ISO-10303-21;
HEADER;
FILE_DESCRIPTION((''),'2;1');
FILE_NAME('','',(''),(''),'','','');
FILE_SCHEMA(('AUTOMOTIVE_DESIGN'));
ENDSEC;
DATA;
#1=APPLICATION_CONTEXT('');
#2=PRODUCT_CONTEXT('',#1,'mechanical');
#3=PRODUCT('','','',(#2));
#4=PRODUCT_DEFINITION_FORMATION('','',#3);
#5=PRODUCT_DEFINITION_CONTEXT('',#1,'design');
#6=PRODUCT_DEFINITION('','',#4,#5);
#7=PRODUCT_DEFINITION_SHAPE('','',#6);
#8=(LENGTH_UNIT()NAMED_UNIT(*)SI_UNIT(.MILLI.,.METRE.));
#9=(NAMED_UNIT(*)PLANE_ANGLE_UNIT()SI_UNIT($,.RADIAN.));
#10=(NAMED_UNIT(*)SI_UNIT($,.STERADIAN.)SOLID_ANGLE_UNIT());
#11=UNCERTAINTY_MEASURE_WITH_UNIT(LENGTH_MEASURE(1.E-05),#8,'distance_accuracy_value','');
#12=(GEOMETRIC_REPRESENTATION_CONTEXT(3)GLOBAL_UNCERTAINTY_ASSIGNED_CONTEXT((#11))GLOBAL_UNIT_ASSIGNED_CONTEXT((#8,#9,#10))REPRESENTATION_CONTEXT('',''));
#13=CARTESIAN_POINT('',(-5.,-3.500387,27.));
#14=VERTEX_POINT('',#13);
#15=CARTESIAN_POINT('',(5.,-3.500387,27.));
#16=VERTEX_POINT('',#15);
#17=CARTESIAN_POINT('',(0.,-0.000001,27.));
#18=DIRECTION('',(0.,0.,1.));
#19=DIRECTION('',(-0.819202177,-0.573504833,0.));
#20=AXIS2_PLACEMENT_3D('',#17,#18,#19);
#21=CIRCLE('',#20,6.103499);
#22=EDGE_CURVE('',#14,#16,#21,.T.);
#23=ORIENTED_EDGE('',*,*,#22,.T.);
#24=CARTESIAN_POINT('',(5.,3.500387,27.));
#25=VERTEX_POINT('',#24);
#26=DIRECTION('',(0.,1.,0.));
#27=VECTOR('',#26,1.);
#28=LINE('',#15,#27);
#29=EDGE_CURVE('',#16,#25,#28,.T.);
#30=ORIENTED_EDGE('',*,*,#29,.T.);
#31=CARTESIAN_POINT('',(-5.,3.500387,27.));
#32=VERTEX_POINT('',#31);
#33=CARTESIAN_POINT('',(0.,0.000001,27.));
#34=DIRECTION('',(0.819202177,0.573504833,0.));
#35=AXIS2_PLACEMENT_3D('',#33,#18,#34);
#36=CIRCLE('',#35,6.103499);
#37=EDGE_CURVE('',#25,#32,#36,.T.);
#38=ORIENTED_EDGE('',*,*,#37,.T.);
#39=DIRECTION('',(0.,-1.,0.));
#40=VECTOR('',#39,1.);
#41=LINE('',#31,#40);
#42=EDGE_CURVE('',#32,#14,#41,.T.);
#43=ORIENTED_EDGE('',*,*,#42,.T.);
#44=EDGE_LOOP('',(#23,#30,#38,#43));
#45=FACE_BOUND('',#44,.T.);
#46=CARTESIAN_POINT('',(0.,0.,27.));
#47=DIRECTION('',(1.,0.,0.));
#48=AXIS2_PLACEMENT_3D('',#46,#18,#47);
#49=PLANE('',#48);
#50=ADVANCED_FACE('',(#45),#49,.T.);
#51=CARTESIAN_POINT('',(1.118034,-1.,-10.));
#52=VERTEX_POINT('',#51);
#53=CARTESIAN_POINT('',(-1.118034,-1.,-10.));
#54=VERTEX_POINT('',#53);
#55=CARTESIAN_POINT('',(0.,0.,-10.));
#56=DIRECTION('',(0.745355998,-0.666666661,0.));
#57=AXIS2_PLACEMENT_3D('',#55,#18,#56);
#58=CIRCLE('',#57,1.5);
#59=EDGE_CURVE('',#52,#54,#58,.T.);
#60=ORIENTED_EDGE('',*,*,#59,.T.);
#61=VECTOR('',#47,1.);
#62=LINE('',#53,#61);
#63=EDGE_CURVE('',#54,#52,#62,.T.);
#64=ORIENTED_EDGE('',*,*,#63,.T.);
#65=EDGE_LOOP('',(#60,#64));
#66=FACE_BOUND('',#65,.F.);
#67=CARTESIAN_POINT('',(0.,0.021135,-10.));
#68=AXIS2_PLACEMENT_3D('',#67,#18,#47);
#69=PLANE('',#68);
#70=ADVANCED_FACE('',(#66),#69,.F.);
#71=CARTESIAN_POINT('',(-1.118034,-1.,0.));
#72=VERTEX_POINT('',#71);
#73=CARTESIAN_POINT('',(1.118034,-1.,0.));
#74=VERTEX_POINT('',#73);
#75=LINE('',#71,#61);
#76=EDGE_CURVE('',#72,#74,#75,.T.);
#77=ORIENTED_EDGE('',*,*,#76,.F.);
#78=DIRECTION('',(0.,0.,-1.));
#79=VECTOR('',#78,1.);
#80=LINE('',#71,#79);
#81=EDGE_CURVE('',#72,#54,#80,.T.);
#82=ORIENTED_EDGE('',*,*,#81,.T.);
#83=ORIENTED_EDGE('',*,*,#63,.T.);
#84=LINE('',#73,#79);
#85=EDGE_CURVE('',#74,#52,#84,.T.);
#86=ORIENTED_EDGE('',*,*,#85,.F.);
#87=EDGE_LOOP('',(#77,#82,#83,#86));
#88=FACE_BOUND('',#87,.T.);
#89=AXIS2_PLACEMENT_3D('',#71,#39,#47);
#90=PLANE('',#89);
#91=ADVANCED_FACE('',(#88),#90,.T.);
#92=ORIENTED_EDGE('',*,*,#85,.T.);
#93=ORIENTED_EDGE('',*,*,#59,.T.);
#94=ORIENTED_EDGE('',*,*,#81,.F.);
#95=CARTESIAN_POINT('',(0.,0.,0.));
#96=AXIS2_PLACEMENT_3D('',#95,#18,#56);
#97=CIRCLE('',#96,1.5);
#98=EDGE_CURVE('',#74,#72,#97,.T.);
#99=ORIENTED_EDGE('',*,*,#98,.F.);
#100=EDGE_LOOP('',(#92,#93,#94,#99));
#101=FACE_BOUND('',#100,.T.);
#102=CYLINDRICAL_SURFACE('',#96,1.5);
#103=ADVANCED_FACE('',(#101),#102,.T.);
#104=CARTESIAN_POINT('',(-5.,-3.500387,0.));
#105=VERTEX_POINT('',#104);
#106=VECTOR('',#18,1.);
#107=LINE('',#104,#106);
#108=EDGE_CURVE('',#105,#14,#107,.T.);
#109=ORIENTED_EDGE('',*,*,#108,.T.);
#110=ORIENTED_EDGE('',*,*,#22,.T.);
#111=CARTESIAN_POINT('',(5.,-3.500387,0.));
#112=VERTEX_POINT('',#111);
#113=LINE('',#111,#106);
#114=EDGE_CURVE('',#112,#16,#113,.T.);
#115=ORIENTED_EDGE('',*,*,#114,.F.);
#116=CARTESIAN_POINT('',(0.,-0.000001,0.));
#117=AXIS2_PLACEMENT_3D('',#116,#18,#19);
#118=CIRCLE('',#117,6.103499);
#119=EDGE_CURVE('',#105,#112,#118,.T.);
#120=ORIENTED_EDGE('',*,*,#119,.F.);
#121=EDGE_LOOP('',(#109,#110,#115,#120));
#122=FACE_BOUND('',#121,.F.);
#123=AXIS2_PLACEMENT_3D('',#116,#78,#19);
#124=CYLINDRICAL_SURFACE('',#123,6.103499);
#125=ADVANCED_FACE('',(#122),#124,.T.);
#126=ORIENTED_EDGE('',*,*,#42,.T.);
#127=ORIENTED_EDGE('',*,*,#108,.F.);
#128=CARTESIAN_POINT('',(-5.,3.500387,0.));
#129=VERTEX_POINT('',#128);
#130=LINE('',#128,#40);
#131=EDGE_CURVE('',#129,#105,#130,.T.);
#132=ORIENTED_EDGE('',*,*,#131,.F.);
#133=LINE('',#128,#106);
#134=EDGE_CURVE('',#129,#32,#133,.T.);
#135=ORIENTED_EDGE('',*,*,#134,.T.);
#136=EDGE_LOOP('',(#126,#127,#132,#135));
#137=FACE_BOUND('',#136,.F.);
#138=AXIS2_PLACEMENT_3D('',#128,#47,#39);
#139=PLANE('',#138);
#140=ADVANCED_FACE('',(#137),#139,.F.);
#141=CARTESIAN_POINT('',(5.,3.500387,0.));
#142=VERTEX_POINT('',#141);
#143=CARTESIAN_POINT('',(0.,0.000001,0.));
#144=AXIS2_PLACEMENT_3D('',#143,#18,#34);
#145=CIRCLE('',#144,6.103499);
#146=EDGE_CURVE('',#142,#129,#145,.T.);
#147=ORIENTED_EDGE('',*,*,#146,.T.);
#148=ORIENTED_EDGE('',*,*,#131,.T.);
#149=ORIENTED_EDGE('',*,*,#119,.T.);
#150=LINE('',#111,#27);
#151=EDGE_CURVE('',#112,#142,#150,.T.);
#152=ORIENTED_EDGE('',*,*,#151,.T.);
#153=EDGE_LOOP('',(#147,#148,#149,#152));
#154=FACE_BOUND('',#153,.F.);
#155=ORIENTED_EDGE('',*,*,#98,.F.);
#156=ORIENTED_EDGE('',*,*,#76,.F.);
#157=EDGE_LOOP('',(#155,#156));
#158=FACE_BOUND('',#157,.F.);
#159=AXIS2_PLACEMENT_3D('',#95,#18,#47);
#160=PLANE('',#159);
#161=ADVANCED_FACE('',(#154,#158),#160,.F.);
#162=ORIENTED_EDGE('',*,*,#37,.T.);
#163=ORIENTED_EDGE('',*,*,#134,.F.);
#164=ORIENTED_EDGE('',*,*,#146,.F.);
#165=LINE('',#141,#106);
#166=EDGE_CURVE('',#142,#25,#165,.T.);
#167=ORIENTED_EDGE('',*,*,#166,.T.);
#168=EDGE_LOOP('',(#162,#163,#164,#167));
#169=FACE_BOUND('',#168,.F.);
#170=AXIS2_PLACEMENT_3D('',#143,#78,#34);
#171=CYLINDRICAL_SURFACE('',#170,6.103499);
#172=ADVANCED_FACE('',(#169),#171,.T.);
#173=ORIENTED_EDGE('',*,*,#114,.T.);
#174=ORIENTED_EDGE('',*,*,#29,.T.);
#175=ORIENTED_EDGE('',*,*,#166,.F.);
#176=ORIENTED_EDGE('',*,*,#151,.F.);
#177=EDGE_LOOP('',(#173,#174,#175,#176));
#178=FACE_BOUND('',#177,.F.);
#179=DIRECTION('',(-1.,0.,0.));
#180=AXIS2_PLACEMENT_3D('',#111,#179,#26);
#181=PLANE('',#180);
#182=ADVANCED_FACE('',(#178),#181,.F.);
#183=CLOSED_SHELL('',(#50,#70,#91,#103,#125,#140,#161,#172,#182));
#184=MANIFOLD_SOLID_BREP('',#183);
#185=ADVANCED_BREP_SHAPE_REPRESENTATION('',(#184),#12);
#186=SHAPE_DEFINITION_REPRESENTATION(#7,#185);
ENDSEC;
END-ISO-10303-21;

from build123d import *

# Parameters (mm, degrees)
F2_DEPTH = 27
F3_DEPTH = 10


with BuildPart() as f2:
    # F0 (on Top) → F2 (new body)
    with BuildSketch(Plane.XY):
        with BuildLine():
            Line((5, -3.500387), (5, 3.500387))
            ThreePointArc((5, 3.500387), (0, 6.1035), (-5, 3.500387))
            Line((-5, 3.500387), (-5, -3.500387))
            ThreePointArc((-5, -3.500387), (0, -6.1035), (5, -3.500387))
        make_face()
    extrude(amount=F2_DEPTH)

    # F1 (on face) → F3 (join)
    with BuildSketch(Plane.XY):
        with BuildLine():
            Line((-1.118034, -1), (1.118034, -1))
            ThreePointArc((1.118034, -1), (0, 1.5), (-1.118034, -1))
        make_face()
    extrude(amount=-F3_DEPTH)


solid = f2.part
